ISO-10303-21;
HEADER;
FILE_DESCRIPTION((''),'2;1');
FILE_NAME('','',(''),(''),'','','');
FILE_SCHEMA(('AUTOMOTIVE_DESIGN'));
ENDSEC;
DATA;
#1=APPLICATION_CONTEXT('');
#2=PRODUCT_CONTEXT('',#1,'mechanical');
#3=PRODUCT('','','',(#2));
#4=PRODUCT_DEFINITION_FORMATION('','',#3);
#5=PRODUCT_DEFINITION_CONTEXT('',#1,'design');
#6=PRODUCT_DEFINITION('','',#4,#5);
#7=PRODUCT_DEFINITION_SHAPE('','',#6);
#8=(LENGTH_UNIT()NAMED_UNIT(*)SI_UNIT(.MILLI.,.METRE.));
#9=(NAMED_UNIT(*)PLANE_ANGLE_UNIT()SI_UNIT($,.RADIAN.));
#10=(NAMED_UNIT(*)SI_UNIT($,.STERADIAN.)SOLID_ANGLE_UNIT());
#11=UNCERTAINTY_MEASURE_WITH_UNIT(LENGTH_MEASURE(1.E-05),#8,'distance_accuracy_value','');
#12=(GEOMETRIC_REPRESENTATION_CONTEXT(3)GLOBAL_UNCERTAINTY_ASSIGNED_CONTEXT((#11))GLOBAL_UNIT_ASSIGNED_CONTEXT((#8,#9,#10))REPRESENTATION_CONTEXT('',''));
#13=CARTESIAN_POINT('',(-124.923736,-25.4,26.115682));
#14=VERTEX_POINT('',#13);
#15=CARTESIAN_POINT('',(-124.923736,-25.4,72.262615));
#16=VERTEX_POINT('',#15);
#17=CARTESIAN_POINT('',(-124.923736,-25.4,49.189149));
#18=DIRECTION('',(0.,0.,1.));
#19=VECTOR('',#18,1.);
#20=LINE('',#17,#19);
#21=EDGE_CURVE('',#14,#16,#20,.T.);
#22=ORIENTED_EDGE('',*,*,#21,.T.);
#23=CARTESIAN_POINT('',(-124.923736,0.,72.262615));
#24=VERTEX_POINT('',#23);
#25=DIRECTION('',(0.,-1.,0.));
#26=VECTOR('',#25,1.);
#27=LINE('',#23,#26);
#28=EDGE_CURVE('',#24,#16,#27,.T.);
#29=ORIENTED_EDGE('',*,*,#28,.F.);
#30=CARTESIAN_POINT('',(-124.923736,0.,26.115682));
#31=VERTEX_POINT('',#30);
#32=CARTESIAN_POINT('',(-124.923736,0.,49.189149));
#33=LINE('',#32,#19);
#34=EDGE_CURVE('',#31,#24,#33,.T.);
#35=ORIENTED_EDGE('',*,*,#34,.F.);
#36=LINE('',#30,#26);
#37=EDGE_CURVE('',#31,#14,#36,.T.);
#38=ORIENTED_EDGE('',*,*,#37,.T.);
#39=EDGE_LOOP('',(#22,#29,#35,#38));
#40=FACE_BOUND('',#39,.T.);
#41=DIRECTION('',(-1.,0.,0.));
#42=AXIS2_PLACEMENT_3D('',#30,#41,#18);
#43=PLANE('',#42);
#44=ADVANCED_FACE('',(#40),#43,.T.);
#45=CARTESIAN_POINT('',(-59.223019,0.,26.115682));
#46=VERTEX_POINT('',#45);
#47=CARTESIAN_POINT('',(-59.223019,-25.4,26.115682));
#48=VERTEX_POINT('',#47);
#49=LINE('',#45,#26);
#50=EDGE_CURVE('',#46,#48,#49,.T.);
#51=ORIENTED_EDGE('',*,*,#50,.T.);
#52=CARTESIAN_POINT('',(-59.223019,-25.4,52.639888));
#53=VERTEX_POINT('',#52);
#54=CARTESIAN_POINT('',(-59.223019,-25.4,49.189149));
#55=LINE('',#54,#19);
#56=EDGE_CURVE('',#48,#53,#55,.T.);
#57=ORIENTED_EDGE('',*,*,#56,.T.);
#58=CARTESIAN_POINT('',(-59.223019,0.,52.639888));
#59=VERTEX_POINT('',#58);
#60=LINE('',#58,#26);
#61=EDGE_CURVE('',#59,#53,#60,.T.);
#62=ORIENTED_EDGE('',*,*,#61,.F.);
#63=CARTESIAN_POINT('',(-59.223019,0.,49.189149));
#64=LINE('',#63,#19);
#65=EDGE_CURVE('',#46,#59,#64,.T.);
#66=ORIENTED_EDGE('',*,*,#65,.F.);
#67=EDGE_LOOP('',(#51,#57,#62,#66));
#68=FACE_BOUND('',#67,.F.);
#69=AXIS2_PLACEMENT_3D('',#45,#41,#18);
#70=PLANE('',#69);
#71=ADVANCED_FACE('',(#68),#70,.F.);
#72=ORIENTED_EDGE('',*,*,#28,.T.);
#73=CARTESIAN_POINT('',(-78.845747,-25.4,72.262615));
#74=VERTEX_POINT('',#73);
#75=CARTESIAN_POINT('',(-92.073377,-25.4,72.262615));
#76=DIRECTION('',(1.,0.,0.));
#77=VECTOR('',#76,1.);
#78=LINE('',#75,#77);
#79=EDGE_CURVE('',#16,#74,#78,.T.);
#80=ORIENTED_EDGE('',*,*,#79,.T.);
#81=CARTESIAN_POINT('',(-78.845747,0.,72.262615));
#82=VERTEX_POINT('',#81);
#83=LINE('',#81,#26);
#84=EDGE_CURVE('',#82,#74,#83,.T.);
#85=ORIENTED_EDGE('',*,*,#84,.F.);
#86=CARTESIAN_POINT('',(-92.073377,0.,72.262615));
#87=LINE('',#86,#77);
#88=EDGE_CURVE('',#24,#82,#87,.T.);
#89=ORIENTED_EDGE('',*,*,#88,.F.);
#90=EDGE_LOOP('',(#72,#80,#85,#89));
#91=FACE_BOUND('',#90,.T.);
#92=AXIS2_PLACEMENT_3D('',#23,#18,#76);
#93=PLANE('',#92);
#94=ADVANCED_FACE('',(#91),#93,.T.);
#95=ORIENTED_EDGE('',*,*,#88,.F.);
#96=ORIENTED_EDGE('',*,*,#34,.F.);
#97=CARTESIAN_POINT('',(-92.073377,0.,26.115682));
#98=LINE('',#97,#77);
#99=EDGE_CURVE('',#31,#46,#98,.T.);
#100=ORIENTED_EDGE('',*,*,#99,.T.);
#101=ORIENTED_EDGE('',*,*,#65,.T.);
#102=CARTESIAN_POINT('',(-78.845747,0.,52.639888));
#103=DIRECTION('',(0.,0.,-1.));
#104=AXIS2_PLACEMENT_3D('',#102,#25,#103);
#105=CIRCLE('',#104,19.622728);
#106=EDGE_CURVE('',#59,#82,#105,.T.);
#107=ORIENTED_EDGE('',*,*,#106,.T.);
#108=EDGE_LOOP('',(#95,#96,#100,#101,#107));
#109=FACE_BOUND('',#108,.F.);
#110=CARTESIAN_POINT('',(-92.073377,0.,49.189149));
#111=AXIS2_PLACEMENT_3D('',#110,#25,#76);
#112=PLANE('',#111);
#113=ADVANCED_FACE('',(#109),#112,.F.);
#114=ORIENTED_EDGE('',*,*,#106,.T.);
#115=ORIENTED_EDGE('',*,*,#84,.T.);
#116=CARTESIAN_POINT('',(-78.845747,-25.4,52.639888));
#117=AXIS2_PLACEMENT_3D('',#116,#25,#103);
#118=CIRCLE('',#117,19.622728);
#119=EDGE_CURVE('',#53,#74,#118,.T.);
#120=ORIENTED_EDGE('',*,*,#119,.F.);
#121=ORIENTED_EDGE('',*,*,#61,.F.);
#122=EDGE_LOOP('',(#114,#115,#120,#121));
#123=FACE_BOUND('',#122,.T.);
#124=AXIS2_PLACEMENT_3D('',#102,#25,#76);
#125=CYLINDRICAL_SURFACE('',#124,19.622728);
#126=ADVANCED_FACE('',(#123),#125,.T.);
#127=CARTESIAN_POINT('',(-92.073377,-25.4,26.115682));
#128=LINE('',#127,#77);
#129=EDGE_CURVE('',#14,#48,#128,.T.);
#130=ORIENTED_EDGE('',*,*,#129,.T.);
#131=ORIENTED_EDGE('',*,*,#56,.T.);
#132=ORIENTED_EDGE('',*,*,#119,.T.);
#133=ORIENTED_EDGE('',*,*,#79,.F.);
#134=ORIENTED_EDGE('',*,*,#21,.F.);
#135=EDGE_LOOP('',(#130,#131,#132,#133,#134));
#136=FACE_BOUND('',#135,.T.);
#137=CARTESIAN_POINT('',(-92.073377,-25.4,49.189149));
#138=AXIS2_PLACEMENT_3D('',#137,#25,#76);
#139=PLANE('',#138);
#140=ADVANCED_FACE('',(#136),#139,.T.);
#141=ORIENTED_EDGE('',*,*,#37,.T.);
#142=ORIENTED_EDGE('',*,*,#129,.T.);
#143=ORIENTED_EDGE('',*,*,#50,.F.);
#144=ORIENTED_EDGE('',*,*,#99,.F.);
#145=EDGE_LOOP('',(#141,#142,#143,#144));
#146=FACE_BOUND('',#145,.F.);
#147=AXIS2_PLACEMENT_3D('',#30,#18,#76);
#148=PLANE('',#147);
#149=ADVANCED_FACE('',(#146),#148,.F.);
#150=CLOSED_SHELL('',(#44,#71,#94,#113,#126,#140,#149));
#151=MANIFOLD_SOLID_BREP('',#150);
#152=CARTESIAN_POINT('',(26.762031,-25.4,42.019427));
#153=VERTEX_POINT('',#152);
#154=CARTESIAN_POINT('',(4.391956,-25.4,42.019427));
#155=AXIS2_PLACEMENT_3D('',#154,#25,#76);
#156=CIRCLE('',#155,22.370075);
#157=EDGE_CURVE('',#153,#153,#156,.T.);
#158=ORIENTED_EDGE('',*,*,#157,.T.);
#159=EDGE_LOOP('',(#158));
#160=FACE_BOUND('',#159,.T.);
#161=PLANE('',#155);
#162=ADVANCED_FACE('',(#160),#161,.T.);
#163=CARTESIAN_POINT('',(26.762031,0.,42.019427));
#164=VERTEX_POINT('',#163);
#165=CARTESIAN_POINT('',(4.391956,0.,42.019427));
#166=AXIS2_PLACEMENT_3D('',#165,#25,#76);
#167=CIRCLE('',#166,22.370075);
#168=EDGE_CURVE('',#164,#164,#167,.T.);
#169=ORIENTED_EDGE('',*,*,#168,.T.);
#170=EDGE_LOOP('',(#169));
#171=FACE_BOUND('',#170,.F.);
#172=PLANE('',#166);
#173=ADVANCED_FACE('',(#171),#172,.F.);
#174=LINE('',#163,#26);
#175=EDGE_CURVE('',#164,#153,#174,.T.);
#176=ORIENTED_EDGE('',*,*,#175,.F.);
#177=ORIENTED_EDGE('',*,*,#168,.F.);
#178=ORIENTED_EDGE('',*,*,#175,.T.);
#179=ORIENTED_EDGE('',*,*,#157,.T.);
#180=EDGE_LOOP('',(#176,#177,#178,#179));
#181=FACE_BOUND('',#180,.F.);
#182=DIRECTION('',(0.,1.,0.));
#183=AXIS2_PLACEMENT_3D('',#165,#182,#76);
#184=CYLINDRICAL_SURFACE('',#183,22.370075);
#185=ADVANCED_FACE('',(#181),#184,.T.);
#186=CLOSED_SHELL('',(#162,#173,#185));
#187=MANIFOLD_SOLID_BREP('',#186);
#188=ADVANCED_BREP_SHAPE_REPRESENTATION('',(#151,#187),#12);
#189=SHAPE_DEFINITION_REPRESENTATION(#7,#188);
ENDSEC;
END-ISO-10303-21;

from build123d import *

# Parameters (mm, degrees)
F0_W     = 65.700717
F0_H     = 46.146933
F0_R     = 22.370075
F1_DEPTH = 25.4
F2_R     = 19.622728


with BuildPart() as f1:
    # F0 (on Front) → F1 (new body)
    with BuildSketch(Plane.XZ):
        with Locations((-92.073377, 49.189149)):
            Rectangle(F0_W, F0_H)
        with Locations((4.391956, 42.019427)):
            Circle(F0_R)
    extrude(amount=F1_DEPTH)

    # F2
    f2_edges = [f1.edges().sort_by_distance(p)[0] for p in [
        (-59.223019, -12.7, 72.262615),
    ]]
    fillet(f2_edges, radius=F2_R)


solid = f1.part
